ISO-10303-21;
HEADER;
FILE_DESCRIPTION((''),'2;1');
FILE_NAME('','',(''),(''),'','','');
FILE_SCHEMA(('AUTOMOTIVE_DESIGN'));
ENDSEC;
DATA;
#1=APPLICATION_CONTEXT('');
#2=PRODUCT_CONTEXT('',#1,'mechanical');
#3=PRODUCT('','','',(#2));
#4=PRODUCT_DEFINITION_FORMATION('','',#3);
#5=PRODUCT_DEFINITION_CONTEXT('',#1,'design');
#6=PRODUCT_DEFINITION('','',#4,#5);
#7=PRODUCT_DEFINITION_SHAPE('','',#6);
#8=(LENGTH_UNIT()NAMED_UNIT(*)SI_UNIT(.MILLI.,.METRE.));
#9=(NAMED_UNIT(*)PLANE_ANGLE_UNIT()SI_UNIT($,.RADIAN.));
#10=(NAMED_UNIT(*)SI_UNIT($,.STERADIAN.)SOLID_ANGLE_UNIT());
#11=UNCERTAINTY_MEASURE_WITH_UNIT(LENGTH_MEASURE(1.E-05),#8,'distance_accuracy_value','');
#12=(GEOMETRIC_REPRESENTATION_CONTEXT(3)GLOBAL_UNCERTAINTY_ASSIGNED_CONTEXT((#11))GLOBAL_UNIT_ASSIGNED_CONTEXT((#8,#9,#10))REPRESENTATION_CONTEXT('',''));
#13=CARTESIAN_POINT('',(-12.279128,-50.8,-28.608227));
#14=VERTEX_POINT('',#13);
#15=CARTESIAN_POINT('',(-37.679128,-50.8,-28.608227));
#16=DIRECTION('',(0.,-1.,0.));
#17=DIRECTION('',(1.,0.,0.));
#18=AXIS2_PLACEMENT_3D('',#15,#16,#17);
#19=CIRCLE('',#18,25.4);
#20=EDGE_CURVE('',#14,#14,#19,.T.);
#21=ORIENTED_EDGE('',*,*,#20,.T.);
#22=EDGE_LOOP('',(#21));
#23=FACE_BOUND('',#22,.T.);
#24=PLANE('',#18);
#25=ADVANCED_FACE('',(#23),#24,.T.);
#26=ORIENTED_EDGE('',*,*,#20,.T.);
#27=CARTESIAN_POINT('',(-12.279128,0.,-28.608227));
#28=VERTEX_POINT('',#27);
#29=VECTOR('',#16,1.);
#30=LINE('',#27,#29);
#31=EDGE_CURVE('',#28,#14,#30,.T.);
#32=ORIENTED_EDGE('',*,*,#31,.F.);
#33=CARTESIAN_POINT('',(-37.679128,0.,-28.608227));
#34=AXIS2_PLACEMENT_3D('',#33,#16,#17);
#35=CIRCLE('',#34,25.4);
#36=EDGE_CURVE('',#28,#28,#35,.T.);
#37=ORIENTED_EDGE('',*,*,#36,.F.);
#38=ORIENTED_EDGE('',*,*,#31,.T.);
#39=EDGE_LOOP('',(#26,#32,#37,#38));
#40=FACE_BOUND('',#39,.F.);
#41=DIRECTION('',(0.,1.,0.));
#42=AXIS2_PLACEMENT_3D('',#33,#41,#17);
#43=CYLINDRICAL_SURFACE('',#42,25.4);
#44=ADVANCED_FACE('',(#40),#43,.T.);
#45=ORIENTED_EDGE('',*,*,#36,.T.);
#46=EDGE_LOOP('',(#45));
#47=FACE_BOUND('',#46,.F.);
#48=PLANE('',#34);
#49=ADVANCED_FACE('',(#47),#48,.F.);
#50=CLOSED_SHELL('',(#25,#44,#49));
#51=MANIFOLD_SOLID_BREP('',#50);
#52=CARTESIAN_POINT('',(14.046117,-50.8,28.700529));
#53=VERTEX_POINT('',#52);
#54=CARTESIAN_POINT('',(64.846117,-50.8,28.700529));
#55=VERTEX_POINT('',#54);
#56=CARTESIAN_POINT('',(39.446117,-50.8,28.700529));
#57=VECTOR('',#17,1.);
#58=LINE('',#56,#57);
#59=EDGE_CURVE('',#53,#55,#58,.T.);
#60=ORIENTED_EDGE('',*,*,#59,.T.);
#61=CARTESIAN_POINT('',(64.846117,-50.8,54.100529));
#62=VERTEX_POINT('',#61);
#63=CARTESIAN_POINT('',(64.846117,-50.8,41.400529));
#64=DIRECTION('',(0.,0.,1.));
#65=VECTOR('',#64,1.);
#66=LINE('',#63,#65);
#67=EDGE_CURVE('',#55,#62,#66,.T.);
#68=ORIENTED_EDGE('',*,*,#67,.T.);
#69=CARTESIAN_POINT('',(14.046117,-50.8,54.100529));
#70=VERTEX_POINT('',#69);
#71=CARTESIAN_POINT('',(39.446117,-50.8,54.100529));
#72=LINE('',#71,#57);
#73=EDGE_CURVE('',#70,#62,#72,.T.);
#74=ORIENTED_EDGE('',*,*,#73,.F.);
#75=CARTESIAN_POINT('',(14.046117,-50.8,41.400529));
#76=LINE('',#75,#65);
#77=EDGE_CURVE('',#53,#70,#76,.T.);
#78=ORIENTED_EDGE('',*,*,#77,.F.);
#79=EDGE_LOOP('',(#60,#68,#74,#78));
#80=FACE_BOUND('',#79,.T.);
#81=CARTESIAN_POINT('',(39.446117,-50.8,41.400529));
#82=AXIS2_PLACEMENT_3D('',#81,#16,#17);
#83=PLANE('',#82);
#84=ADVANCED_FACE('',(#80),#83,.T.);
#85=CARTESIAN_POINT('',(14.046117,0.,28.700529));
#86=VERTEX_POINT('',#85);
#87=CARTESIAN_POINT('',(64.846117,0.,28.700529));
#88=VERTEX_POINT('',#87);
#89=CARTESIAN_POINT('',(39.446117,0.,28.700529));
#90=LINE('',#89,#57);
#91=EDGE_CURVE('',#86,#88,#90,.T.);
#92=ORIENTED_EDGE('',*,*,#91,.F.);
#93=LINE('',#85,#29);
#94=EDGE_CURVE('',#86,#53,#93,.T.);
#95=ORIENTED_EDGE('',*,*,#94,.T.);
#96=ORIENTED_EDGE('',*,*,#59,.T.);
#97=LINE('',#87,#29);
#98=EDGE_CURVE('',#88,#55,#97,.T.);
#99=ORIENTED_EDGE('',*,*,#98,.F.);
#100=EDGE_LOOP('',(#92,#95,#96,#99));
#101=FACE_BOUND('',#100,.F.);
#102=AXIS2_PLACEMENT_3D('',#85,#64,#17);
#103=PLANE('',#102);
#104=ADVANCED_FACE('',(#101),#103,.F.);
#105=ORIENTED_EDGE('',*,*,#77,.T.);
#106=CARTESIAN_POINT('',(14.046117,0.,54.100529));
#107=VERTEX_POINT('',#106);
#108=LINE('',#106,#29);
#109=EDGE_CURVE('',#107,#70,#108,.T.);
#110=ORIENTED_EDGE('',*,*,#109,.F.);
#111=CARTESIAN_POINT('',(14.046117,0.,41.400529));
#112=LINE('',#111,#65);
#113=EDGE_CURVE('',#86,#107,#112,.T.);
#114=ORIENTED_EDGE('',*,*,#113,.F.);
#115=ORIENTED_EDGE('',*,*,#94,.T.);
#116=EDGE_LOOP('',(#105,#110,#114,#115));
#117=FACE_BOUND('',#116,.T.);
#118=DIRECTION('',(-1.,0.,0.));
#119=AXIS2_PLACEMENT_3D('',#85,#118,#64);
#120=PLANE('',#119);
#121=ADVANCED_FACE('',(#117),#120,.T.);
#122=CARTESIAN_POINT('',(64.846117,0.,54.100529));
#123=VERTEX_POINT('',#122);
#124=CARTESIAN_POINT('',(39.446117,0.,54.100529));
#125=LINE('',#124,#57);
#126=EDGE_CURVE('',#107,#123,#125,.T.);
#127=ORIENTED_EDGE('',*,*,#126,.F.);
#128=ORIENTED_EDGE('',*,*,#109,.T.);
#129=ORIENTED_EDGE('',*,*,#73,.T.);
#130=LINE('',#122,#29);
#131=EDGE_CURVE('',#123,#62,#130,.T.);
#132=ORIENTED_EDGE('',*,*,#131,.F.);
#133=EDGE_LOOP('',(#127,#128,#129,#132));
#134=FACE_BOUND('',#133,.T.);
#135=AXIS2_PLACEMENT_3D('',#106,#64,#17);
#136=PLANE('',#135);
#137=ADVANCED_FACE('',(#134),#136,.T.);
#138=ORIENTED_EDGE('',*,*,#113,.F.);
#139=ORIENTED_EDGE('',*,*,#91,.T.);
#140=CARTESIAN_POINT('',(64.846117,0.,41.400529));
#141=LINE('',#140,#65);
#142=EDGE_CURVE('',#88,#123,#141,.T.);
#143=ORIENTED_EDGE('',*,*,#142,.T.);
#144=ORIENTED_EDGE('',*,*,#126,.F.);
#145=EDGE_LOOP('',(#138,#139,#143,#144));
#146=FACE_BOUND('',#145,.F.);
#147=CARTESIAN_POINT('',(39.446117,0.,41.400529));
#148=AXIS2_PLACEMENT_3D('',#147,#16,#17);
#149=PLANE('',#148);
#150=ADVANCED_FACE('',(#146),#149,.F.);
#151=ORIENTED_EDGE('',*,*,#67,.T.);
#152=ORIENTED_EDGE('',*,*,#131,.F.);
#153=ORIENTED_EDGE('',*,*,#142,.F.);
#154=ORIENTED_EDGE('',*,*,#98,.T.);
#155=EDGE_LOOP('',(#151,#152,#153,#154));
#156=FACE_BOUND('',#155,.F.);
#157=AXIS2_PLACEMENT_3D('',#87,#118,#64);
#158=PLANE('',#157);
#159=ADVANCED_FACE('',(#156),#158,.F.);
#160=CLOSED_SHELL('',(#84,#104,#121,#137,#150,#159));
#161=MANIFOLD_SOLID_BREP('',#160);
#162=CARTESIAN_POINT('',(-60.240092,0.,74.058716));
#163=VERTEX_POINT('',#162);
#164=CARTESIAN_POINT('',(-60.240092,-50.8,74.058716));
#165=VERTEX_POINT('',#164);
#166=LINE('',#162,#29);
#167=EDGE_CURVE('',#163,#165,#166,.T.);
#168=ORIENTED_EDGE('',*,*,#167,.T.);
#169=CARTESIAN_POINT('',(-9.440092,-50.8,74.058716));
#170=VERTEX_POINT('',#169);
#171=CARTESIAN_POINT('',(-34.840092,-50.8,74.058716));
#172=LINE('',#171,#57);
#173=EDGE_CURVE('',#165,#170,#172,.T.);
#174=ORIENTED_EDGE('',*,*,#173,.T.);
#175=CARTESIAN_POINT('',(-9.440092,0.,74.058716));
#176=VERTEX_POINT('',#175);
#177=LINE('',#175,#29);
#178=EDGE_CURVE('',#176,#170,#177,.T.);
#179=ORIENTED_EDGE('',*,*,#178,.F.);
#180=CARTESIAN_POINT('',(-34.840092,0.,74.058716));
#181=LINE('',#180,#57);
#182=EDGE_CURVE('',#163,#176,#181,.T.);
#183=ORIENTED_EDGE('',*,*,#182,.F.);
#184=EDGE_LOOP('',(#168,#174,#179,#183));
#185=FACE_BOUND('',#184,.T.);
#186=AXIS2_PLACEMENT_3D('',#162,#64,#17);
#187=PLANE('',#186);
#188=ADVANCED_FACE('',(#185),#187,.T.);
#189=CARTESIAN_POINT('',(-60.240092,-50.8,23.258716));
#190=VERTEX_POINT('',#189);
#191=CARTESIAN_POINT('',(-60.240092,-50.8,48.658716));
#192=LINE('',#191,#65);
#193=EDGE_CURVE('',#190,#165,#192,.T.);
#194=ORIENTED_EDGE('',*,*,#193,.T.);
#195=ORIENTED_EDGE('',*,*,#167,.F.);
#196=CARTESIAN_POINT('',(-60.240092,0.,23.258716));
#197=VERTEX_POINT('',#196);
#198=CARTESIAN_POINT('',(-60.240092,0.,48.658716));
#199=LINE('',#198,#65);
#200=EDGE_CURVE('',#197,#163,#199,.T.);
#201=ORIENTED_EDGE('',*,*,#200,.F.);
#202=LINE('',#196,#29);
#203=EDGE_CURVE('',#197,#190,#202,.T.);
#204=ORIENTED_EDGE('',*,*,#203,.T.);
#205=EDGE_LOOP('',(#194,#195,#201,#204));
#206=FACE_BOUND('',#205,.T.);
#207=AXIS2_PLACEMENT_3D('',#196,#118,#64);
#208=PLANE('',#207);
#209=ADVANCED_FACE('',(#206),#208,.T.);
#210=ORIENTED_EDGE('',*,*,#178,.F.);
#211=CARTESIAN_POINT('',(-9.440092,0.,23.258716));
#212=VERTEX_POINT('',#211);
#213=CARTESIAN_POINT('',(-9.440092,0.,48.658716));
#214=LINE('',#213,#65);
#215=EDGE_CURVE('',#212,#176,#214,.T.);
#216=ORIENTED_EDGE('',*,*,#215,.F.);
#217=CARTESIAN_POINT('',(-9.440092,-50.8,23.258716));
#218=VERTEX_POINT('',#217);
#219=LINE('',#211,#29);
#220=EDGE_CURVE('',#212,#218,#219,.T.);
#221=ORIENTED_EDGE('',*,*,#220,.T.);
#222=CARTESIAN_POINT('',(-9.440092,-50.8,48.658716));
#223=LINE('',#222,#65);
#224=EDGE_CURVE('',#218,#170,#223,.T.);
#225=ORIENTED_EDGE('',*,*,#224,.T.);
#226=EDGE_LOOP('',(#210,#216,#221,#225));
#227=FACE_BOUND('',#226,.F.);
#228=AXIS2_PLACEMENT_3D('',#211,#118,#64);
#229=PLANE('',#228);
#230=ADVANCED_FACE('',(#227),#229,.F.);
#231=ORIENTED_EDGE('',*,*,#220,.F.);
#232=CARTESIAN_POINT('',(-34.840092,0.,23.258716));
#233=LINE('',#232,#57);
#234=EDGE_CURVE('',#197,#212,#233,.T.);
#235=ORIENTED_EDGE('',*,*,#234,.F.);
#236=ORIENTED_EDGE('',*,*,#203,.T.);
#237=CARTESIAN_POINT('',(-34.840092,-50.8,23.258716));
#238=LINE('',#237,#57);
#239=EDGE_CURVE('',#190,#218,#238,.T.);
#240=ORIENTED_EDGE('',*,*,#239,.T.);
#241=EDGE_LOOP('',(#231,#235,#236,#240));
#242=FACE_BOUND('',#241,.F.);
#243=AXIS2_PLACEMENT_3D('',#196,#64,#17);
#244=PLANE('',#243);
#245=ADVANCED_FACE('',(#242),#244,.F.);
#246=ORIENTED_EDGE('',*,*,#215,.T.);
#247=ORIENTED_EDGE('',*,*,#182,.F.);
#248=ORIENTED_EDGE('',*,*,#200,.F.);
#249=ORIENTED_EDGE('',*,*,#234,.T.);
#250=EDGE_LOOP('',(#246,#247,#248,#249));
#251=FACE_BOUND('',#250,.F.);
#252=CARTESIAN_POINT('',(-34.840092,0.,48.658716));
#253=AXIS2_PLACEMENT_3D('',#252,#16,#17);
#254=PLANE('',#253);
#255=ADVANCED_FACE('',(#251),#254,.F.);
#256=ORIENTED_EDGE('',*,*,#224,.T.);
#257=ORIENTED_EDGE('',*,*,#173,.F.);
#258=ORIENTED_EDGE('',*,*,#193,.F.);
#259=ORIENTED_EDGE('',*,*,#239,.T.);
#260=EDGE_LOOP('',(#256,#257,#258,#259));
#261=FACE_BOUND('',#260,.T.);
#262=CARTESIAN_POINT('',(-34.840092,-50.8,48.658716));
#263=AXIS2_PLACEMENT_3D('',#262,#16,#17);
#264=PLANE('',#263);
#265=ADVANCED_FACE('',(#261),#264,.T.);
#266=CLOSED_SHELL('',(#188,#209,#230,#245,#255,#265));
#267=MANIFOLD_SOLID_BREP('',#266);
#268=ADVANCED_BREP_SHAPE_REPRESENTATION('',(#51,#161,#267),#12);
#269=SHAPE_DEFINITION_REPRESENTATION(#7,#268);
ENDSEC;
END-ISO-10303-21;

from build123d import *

# Parameters (mm, degrees)
F0_W     = 50.8
F0_H     = 50.8
F3_DEPTH = 50.8
F1_W     = 50.8
F1_H     = 25.4
F4_DEPTH = 50.8
F2_R     = 25.4
F5_DEPTH = 50.8


with BuildPart() as f3:
    # F0 (on Front) → F3 (new body)
    with BuildSketch(Plane.XZ):
        with Locations((-34.840092, 48.658716)):
            Rectangle(F0_W, F0_H)
    extrude(amount=F3_DEPTH)


with BuildPart() as f4:
    # F1 (on Front) → F4 (new body)
    with BuildSketch(Plane.XZ):
        with Locations((39.446117, 41.400529)):
            Rectangle(F1_W, F1_H)
    extrude(amount=F4_DEPTH)


with BuildPart() as f5:
    # F2 (on Front) → F5 (new body)
    with BuildSketch(Plane.XZ):
        with Locations((-37.679128, -28.608227)):
            Circle(F2_R)
    extrude(amount=F5_DEPTH)


solid = Compound([f3.part, f4.part, f5.part])
